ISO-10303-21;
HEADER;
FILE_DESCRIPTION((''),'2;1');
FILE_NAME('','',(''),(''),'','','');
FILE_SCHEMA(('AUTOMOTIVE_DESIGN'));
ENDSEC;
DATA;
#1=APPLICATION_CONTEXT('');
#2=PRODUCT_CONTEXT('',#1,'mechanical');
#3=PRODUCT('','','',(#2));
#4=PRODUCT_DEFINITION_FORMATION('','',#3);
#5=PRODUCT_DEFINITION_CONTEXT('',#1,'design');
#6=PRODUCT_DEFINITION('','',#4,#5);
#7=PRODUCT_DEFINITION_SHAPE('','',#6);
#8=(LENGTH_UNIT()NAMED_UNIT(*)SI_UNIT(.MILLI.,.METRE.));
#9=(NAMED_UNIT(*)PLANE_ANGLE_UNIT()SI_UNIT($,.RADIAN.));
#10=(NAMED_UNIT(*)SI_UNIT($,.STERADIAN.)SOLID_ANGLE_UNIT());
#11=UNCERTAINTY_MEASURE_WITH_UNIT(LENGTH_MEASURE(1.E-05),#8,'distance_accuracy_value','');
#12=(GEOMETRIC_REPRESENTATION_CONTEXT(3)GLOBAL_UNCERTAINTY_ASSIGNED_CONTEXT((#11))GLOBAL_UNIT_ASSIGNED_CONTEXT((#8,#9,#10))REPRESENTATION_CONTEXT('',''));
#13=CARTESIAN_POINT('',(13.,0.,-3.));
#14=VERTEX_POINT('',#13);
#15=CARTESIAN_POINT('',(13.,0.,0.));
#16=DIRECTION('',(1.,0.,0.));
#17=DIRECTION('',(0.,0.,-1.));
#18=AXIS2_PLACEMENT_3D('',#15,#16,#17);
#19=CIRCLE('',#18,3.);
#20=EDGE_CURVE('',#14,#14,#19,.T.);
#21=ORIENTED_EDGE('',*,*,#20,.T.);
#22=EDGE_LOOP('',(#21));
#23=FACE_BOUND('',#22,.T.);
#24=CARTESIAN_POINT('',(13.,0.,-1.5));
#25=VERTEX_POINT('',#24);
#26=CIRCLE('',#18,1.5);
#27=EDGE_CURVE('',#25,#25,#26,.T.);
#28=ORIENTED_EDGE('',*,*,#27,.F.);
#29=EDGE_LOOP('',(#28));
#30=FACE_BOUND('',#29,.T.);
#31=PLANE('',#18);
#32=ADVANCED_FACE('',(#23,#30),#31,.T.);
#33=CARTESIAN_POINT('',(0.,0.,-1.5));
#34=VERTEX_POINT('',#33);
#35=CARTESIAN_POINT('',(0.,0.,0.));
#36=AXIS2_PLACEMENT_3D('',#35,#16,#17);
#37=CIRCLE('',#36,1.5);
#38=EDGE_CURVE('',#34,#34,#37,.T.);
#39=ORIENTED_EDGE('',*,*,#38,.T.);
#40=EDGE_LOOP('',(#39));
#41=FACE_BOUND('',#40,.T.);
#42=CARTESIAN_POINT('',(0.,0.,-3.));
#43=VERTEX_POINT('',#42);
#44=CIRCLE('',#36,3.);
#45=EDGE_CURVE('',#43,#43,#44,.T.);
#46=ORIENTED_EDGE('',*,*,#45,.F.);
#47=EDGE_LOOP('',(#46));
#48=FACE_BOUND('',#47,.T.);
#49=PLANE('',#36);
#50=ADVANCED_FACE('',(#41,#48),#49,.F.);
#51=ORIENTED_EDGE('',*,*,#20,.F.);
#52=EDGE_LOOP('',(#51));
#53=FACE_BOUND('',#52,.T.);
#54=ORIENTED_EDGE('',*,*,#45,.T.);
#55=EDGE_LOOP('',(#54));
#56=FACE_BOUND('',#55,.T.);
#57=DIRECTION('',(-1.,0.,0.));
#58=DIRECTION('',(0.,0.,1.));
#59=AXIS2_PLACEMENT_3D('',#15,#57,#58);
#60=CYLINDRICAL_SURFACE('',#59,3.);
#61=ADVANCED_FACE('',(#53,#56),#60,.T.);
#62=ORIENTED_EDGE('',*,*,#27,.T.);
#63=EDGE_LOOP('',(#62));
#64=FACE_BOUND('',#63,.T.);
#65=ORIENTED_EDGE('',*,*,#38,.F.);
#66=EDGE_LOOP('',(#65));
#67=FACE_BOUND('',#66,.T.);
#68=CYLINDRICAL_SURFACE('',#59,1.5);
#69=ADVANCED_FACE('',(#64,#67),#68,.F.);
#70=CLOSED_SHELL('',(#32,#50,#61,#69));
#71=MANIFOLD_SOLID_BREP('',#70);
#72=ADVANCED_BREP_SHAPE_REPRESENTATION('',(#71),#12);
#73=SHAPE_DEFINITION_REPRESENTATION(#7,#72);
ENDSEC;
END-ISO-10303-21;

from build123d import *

# Parameters (mm, degrees)
SKETCH_1_R      = 3
SKETCH_1_R_2    = 1.5
EXTRUDE_1_DEPTH = 13


with BuildPart() as part:
    # 草图1 → 凸台-拉伸1 (new body)
    with BuildSketch(Plane(origin=(0, 0, 0), x_dir=(0, 0, -1), z_dir=(1, 0, 0))):
        Circle(SKETCH_1_R)
        Circle(SKETCH_1_R_2, mode=Mode.SUBTRACT)
    extrude(amount=EXTRUDE_1_DEPTH)


solid = part.part
